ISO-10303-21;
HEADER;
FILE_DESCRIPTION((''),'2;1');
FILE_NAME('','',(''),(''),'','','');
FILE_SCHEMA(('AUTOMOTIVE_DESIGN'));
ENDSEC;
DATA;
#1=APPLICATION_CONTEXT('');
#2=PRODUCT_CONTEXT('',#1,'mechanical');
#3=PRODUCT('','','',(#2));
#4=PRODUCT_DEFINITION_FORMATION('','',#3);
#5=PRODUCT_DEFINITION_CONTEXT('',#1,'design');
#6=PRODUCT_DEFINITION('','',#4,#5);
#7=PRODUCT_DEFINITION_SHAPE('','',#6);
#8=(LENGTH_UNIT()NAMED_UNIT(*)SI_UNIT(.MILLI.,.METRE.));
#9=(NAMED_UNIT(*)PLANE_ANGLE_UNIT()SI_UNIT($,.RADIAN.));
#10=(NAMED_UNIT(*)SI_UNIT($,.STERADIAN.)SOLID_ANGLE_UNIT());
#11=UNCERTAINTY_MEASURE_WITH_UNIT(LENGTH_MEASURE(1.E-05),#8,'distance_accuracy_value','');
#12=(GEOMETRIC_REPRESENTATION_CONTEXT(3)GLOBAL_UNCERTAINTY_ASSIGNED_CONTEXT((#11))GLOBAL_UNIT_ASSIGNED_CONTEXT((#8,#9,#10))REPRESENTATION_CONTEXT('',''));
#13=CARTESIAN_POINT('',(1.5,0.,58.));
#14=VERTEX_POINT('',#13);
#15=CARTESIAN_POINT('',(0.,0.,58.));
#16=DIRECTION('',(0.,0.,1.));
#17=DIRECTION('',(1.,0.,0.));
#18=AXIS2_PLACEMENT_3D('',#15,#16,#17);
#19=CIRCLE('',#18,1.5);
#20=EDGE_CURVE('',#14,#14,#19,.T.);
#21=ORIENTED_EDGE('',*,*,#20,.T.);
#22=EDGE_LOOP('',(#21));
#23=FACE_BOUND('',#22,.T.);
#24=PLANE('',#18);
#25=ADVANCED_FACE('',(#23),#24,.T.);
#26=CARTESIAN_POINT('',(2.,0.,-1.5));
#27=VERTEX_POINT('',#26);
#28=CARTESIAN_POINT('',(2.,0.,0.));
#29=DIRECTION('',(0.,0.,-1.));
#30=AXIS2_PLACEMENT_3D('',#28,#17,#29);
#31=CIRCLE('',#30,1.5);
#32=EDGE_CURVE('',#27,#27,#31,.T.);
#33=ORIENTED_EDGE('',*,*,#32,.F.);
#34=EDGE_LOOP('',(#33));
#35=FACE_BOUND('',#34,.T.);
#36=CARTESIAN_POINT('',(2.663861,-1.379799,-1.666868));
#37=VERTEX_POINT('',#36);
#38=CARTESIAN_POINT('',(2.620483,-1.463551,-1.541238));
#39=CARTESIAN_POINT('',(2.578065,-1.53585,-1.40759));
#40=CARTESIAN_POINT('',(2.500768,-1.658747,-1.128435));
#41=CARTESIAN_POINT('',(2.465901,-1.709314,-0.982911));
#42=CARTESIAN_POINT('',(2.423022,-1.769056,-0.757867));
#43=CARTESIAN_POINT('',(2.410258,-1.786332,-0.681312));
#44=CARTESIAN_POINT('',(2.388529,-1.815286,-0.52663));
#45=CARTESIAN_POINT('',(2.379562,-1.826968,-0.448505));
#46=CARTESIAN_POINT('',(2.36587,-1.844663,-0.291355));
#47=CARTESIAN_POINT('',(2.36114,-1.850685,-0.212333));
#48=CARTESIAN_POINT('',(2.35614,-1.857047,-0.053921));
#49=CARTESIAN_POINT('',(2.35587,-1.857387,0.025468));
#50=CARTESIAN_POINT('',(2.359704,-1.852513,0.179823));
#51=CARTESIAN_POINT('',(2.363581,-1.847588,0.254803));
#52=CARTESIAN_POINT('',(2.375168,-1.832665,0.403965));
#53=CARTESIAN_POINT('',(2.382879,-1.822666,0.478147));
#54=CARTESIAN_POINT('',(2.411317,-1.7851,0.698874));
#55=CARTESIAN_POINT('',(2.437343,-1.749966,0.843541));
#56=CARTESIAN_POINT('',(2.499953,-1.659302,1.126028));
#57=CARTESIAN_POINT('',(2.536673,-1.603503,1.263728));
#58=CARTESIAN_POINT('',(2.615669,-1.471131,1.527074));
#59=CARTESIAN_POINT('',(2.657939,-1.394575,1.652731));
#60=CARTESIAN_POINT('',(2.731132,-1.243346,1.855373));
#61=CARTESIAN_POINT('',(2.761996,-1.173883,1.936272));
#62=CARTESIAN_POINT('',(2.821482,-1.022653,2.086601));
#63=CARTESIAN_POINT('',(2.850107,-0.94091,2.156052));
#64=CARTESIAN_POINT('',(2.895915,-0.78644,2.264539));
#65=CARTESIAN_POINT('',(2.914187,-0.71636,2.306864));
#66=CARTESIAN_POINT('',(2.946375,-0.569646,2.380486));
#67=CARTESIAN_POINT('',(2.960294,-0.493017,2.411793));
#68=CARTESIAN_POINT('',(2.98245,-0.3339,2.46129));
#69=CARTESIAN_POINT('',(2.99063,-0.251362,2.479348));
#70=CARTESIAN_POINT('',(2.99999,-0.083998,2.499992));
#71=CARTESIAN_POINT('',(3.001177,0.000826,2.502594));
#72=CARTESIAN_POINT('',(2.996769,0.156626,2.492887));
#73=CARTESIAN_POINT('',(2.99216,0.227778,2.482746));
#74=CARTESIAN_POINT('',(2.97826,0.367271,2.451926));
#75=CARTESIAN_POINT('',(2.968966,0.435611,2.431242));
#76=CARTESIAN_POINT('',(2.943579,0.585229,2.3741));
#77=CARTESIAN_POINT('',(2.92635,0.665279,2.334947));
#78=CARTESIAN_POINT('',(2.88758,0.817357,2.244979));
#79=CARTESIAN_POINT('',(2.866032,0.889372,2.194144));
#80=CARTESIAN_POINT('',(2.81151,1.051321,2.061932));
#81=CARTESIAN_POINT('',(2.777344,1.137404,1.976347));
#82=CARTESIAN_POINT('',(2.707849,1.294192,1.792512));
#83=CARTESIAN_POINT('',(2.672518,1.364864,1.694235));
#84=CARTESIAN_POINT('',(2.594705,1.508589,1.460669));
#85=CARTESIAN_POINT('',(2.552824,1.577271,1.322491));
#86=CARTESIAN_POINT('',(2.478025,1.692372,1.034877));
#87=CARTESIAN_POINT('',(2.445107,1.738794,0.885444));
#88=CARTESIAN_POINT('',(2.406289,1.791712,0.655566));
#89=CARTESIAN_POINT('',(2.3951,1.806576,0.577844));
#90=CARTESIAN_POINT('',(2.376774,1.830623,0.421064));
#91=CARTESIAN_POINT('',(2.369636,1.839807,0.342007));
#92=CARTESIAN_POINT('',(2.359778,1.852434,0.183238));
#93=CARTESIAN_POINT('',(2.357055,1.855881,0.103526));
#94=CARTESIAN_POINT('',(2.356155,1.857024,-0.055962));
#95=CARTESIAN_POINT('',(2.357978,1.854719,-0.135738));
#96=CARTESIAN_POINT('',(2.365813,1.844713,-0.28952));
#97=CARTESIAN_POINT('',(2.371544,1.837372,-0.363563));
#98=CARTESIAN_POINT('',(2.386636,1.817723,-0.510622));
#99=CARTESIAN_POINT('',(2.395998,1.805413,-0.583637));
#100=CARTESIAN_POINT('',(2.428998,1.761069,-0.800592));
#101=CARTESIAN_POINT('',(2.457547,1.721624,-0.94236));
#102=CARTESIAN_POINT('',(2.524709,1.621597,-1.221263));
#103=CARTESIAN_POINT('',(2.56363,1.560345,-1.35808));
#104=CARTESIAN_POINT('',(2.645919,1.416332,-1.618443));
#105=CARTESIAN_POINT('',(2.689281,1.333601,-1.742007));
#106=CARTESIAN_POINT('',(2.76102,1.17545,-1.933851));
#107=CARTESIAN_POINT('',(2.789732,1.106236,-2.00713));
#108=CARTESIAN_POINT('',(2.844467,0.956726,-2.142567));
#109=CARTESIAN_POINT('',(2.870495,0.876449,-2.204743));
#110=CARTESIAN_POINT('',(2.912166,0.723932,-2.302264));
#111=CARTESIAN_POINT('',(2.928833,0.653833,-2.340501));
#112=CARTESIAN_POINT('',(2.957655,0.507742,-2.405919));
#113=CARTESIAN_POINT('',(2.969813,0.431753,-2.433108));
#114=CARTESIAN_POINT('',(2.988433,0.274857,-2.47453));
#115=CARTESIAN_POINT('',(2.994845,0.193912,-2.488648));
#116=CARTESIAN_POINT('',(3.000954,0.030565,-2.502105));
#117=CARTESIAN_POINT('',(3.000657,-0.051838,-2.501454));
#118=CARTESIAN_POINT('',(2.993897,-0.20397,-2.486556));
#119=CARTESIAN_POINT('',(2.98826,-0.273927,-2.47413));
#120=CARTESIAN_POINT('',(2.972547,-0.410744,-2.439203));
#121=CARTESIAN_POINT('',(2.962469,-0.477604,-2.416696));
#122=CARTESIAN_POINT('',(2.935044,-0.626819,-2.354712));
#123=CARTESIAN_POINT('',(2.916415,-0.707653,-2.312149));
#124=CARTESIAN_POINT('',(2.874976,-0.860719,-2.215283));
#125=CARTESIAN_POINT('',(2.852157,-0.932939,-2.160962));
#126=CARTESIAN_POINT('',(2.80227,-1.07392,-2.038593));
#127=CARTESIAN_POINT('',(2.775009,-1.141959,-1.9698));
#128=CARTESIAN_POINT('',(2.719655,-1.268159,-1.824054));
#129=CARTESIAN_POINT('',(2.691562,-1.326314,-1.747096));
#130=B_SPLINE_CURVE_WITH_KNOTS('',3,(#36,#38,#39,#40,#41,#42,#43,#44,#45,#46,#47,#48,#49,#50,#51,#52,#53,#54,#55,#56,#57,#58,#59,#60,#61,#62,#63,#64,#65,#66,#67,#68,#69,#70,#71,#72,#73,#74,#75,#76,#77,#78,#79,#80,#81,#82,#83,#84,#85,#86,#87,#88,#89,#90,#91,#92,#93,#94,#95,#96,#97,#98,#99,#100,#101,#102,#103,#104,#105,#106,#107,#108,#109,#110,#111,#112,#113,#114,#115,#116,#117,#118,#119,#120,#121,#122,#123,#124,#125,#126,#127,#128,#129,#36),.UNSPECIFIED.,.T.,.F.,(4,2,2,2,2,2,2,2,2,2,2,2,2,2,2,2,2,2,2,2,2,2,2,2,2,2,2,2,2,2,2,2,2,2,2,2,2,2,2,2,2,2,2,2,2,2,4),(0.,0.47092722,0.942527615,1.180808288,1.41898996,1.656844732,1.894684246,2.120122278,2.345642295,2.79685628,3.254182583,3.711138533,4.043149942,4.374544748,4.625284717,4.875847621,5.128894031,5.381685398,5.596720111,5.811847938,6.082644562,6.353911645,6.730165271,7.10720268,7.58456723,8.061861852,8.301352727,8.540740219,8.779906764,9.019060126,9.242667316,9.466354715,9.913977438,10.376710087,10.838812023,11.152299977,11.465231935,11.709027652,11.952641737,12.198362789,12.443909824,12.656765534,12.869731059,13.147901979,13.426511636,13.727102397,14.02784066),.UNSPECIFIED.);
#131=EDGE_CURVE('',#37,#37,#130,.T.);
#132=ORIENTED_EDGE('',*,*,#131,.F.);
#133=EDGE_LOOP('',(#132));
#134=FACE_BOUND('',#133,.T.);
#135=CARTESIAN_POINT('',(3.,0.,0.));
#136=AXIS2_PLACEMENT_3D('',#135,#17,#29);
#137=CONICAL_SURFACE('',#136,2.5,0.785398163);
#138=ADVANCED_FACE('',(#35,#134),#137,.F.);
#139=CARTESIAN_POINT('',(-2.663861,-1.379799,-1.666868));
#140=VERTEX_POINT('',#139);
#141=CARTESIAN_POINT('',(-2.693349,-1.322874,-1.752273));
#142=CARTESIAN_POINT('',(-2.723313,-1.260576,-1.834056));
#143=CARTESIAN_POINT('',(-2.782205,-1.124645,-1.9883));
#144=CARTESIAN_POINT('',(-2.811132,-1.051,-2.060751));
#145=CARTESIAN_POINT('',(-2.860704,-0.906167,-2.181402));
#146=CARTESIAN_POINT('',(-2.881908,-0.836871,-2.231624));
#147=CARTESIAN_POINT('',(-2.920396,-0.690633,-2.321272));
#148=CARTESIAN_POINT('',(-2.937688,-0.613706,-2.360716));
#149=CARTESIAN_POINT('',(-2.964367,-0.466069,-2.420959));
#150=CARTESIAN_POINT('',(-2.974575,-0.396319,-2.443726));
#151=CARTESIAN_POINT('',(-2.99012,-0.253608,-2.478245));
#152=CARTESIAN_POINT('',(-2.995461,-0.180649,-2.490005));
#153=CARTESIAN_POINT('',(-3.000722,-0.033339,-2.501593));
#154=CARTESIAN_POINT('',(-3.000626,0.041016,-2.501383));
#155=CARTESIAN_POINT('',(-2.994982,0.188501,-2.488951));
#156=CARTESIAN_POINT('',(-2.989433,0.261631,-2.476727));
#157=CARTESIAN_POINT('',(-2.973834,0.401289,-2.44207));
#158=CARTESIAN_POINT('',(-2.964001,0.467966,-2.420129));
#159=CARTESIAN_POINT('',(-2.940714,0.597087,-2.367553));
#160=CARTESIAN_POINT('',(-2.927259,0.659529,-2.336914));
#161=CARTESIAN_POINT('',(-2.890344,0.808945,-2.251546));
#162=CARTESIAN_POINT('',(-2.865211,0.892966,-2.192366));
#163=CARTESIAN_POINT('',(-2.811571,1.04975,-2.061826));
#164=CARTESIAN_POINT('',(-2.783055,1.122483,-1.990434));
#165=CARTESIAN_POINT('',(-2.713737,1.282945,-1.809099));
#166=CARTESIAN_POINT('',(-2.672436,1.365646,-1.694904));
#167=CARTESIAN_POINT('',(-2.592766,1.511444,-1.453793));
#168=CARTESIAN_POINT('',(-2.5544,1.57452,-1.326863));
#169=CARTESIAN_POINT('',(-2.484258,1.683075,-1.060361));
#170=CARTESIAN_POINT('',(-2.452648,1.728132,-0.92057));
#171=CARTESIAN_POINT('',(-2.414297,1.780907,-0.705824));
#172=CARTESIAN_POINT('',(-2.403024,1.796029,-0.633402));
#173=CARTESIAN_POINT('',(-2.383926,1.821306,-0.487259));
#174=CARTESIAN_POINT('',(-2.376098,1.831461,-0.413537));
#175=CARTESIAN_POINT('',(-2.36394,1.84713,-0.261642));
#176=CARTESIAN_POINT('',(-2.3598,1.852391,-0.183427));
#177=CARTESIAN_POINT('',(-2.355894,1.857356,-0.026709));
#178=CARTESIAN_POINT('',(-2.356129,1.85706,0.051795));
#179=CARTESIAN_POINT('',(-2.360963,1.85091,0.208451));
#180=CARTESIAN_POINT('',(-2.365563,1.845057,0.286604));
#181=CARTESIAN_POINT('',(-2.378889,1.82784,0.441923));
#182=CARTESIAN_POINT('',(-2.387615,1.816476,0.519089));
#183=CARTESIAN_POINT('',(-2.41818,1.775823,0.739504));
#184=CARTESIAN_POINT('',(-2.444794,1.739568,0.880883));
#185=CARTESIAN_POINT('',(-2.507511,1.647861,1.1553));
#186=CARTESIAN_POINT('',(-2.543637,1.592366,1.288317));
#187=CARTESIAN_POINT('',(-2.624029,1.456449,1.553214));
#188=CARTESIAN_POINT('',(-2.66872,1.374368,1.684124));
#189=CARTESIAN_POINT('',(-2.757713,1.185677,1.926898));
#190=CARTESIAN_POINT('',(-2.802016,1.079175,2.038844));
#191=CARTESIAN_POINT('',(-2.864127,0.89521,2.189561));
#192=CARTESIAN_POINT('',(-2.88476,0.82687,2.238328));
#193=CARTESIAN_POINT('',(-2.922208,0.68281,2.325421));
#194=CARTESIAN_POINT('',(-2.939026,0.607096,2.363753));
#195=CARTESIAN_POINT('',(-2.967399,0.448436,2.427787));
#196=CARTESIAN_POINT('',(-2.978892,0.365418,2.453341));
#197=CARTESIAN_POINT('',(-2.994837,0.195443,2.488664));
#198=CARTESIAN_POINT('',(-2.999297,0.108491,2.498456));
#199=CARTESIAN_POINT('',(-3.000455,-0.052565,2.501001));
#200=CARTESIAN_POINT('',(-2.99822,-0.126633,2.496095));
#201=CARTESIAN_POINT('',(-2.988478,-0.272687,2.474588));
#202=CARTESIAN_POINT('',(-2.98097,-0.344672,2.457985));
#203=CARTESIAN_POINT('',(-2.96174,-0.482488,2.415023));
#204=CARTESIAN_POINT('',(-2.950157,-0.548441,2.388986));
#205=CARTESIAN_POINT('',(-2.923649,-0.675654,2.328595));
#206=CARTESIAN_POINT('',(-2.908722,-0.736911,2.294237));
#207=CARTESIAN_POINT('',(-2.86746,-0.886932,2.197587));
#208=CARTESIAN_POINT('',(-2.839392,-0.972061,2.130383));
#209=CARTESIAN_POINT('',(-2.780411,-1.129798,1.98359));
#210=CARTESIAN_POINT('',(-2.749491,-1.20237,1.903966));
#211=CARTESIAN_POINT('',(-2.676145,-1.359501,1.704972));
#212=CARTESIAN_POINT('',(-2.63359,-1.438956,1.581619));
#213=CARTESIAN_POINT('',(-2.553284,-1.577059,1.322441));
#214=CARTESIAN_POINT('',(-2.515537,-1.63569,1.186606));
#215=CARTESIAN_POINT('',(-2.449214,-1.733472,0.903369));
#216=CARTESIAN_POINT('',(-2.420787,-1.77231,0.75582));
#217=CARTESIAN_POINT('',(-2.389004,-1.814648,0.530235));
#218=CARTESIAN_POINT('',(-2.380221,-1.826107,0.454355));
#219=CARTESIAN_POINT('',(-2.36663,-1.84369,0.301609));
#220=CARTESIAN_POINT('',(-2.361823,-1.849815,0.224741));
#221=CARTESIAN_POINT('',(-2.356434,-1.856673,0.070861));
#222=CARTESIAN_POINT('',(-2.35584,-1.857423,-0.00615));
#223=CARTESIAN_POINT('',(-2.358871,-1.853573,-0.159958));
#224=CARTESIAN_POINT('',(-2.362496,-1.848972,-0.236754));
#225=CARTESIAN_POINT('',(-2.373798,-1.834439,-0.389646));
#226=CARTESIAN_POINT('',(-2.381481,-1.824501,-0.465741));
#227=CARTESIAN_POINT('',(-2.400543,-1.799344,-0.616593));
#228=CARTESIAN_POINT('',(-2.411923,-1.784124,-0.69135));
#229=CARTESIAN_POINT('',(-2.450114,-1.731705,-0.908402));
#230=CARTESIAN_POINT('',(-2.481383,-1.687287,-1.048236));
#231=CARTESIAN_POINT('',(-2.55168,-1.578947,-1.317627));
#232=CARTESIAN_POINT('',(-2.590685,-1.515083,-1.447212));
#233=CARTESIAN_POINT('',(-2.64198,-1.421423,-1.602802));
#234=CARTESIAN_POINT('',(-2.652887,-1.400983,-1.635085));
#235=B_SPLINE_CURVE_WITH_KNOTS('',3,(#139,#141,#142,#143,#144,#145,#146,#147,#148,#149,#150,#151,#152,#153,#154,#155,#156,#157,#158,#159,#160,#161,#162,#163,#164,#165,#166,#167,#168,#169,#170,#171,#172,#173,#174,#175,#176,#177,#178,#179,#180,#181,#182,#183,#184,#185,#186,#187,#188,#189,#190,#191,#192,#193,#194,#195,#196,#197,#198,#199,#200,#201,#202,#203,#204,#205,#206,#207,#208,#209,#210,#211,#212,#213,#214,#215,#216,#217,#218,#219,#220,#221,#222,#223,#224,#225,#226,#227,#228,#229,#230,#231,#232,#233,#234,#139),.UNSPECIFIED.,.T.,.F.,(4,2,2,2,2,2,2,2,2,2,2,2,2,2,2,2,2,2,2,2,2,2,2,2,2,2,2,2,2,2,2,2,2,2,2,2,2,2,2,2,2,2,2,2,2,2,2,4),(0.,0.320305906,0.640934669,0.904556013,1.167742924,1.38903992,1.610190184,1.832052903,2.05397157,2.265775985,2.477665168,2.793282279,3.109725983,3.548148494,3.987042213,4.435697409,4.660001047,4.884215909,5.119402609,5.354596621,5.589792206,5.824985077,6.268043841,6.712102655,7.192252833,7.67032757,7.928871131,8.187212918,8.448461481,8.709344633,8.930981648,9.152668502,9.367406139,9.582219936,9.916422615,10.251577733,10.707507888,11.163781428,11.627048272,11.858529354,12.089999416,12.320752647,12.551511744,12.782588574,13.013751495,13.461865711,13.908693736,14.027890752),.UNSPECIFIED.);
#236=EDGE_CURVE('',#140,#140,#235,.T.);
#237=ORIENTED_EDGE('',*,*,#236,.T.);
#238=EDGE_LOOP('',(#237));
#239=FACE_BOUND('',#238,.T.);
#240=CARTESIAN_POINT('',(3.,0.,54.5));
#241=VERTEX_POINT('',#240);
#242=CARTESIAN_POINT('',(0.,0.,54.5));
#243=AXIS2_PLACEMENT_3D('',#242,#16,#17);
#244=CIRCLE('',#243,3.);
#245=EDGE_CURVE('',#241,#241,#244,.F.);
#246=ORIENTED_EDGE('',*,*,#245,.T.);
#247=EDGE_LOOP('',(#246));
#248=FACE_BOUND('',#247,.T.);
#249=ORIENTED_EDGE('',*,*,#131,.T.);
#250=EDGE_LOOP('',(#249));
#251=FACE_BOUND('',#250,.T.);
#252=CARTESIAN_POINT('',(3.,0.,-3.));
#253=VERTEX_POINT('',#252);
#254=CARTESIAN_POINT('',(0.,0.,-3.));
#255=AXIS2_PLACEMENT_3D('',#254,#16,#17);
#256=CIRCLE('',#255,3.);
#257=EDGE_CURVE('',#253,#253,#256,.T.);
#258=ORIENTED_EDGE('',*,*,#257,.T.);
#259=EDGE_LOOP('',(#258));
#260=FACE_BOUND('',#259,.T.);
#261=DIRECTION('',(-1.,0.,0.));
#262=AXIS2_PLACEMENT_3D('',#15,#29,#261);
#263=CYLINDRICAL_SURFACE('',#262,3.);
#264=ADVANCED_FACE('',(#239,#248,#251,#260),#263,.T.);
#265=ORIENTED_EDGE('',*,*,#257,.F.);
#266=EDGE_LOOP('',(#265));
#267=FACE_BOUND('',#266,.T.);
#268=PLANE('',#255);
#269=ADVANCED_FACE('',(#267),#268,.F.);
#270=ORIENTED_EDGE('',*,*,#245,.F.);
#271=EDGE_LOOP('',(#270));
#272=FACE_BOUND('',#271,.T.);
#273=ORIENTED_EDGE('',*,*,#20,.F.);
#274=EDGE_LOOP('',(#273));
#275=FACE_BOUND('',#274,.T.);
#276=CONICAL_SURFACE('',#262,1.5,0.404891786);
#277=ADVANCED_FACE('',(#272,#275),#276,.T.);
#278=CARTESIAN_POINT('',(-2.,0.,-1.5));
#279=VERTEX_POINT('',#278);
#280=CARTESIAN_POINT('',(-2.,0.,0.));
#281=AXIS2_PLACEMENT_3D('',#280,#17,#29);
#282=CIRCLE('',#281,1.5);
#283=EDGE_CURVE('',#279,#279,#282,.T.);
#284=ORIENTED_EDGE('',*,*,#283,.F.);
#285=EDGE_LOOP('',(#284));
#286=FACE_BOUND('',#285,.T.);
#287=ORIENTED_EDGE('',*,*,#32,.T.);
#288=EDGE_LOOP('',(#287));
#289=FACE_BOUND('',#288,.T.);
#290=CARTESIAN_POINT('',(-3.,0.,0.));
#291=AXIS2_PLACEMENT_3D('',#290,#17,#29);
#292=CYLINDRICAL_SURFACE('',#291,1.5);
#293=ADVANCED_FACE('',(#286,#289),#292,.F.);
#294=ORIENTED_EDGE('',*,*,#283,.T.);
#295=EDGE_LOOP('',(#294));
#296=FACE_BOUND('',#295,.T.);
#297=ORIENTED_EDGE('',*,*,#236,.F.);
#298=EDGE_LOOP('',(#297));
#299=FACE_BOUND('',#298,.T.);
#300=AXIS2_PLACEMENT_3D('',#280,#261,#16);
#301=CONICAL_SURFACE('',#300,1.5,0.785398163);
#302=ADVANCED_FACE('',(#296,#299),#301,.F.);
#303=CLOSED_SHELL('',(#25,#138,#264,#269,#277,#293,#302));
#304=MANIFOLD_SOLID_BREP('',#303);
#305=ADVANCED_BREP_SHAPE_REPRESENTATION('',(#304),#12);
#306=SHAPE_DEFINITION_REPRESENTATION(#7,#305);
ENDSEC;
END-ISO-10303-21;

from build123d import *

# Parameters (mm, degrees)
BOSS_EXTRU_1_START = -3
ESQUISSE1_R        = 3
BOSS_EXTRU_1_DEPTH = 61
CHANFREIN1_SIZE    = 3.5
CHANFREIN1_SIZE2   = 1.5


with BuildPart() as part:
    # Esquisse1 → Boss.-Extru.1 (new body)
    with BuildSketch(Plane.XY.offset(BOSS_EXTRU_1_START)):
        with Locations(Location((0, 0, 0), (0, 0, 180))):
            Circle(ESQUISSE1_R)
    extrude(amount=BOSS_EXTRU_1_DEPTH)

    # Chanfrein1
    chanfrein1_edges = [part.edges().sort_by_distance(p)[0] for p in [
        (3, 0, 58),
    ]]
    chanfrein1_side = [part.faces().sort_by_distance(p)[0] for p in [
        (3, 0, 27.5),
    ]]
    chamfer(chanfrein1_edges, length=CHANFREIN1_SIZE, length2=CHANFREIN1_SIZE2, reference=chanfrein1_side[0])

    # Esquisse2 → Enlèvement de matière-Révolution1 (revolve, cut)
    with BuildSketch(Plane(origin=(0, 0, 0), x_dir=(1, 0, 0), z_dir=(0, 1, 0))):
        Polygon((-3, 0), (3, 0), (3, 2.5), (2, 1.5), (-2, 1.5), (-3, 2.5), align=None)
    revolve(axis=Axis((-3, 0, 0), (-1, 0, 0)), mode=Mode.SUBTRACT)


solid = part.part
